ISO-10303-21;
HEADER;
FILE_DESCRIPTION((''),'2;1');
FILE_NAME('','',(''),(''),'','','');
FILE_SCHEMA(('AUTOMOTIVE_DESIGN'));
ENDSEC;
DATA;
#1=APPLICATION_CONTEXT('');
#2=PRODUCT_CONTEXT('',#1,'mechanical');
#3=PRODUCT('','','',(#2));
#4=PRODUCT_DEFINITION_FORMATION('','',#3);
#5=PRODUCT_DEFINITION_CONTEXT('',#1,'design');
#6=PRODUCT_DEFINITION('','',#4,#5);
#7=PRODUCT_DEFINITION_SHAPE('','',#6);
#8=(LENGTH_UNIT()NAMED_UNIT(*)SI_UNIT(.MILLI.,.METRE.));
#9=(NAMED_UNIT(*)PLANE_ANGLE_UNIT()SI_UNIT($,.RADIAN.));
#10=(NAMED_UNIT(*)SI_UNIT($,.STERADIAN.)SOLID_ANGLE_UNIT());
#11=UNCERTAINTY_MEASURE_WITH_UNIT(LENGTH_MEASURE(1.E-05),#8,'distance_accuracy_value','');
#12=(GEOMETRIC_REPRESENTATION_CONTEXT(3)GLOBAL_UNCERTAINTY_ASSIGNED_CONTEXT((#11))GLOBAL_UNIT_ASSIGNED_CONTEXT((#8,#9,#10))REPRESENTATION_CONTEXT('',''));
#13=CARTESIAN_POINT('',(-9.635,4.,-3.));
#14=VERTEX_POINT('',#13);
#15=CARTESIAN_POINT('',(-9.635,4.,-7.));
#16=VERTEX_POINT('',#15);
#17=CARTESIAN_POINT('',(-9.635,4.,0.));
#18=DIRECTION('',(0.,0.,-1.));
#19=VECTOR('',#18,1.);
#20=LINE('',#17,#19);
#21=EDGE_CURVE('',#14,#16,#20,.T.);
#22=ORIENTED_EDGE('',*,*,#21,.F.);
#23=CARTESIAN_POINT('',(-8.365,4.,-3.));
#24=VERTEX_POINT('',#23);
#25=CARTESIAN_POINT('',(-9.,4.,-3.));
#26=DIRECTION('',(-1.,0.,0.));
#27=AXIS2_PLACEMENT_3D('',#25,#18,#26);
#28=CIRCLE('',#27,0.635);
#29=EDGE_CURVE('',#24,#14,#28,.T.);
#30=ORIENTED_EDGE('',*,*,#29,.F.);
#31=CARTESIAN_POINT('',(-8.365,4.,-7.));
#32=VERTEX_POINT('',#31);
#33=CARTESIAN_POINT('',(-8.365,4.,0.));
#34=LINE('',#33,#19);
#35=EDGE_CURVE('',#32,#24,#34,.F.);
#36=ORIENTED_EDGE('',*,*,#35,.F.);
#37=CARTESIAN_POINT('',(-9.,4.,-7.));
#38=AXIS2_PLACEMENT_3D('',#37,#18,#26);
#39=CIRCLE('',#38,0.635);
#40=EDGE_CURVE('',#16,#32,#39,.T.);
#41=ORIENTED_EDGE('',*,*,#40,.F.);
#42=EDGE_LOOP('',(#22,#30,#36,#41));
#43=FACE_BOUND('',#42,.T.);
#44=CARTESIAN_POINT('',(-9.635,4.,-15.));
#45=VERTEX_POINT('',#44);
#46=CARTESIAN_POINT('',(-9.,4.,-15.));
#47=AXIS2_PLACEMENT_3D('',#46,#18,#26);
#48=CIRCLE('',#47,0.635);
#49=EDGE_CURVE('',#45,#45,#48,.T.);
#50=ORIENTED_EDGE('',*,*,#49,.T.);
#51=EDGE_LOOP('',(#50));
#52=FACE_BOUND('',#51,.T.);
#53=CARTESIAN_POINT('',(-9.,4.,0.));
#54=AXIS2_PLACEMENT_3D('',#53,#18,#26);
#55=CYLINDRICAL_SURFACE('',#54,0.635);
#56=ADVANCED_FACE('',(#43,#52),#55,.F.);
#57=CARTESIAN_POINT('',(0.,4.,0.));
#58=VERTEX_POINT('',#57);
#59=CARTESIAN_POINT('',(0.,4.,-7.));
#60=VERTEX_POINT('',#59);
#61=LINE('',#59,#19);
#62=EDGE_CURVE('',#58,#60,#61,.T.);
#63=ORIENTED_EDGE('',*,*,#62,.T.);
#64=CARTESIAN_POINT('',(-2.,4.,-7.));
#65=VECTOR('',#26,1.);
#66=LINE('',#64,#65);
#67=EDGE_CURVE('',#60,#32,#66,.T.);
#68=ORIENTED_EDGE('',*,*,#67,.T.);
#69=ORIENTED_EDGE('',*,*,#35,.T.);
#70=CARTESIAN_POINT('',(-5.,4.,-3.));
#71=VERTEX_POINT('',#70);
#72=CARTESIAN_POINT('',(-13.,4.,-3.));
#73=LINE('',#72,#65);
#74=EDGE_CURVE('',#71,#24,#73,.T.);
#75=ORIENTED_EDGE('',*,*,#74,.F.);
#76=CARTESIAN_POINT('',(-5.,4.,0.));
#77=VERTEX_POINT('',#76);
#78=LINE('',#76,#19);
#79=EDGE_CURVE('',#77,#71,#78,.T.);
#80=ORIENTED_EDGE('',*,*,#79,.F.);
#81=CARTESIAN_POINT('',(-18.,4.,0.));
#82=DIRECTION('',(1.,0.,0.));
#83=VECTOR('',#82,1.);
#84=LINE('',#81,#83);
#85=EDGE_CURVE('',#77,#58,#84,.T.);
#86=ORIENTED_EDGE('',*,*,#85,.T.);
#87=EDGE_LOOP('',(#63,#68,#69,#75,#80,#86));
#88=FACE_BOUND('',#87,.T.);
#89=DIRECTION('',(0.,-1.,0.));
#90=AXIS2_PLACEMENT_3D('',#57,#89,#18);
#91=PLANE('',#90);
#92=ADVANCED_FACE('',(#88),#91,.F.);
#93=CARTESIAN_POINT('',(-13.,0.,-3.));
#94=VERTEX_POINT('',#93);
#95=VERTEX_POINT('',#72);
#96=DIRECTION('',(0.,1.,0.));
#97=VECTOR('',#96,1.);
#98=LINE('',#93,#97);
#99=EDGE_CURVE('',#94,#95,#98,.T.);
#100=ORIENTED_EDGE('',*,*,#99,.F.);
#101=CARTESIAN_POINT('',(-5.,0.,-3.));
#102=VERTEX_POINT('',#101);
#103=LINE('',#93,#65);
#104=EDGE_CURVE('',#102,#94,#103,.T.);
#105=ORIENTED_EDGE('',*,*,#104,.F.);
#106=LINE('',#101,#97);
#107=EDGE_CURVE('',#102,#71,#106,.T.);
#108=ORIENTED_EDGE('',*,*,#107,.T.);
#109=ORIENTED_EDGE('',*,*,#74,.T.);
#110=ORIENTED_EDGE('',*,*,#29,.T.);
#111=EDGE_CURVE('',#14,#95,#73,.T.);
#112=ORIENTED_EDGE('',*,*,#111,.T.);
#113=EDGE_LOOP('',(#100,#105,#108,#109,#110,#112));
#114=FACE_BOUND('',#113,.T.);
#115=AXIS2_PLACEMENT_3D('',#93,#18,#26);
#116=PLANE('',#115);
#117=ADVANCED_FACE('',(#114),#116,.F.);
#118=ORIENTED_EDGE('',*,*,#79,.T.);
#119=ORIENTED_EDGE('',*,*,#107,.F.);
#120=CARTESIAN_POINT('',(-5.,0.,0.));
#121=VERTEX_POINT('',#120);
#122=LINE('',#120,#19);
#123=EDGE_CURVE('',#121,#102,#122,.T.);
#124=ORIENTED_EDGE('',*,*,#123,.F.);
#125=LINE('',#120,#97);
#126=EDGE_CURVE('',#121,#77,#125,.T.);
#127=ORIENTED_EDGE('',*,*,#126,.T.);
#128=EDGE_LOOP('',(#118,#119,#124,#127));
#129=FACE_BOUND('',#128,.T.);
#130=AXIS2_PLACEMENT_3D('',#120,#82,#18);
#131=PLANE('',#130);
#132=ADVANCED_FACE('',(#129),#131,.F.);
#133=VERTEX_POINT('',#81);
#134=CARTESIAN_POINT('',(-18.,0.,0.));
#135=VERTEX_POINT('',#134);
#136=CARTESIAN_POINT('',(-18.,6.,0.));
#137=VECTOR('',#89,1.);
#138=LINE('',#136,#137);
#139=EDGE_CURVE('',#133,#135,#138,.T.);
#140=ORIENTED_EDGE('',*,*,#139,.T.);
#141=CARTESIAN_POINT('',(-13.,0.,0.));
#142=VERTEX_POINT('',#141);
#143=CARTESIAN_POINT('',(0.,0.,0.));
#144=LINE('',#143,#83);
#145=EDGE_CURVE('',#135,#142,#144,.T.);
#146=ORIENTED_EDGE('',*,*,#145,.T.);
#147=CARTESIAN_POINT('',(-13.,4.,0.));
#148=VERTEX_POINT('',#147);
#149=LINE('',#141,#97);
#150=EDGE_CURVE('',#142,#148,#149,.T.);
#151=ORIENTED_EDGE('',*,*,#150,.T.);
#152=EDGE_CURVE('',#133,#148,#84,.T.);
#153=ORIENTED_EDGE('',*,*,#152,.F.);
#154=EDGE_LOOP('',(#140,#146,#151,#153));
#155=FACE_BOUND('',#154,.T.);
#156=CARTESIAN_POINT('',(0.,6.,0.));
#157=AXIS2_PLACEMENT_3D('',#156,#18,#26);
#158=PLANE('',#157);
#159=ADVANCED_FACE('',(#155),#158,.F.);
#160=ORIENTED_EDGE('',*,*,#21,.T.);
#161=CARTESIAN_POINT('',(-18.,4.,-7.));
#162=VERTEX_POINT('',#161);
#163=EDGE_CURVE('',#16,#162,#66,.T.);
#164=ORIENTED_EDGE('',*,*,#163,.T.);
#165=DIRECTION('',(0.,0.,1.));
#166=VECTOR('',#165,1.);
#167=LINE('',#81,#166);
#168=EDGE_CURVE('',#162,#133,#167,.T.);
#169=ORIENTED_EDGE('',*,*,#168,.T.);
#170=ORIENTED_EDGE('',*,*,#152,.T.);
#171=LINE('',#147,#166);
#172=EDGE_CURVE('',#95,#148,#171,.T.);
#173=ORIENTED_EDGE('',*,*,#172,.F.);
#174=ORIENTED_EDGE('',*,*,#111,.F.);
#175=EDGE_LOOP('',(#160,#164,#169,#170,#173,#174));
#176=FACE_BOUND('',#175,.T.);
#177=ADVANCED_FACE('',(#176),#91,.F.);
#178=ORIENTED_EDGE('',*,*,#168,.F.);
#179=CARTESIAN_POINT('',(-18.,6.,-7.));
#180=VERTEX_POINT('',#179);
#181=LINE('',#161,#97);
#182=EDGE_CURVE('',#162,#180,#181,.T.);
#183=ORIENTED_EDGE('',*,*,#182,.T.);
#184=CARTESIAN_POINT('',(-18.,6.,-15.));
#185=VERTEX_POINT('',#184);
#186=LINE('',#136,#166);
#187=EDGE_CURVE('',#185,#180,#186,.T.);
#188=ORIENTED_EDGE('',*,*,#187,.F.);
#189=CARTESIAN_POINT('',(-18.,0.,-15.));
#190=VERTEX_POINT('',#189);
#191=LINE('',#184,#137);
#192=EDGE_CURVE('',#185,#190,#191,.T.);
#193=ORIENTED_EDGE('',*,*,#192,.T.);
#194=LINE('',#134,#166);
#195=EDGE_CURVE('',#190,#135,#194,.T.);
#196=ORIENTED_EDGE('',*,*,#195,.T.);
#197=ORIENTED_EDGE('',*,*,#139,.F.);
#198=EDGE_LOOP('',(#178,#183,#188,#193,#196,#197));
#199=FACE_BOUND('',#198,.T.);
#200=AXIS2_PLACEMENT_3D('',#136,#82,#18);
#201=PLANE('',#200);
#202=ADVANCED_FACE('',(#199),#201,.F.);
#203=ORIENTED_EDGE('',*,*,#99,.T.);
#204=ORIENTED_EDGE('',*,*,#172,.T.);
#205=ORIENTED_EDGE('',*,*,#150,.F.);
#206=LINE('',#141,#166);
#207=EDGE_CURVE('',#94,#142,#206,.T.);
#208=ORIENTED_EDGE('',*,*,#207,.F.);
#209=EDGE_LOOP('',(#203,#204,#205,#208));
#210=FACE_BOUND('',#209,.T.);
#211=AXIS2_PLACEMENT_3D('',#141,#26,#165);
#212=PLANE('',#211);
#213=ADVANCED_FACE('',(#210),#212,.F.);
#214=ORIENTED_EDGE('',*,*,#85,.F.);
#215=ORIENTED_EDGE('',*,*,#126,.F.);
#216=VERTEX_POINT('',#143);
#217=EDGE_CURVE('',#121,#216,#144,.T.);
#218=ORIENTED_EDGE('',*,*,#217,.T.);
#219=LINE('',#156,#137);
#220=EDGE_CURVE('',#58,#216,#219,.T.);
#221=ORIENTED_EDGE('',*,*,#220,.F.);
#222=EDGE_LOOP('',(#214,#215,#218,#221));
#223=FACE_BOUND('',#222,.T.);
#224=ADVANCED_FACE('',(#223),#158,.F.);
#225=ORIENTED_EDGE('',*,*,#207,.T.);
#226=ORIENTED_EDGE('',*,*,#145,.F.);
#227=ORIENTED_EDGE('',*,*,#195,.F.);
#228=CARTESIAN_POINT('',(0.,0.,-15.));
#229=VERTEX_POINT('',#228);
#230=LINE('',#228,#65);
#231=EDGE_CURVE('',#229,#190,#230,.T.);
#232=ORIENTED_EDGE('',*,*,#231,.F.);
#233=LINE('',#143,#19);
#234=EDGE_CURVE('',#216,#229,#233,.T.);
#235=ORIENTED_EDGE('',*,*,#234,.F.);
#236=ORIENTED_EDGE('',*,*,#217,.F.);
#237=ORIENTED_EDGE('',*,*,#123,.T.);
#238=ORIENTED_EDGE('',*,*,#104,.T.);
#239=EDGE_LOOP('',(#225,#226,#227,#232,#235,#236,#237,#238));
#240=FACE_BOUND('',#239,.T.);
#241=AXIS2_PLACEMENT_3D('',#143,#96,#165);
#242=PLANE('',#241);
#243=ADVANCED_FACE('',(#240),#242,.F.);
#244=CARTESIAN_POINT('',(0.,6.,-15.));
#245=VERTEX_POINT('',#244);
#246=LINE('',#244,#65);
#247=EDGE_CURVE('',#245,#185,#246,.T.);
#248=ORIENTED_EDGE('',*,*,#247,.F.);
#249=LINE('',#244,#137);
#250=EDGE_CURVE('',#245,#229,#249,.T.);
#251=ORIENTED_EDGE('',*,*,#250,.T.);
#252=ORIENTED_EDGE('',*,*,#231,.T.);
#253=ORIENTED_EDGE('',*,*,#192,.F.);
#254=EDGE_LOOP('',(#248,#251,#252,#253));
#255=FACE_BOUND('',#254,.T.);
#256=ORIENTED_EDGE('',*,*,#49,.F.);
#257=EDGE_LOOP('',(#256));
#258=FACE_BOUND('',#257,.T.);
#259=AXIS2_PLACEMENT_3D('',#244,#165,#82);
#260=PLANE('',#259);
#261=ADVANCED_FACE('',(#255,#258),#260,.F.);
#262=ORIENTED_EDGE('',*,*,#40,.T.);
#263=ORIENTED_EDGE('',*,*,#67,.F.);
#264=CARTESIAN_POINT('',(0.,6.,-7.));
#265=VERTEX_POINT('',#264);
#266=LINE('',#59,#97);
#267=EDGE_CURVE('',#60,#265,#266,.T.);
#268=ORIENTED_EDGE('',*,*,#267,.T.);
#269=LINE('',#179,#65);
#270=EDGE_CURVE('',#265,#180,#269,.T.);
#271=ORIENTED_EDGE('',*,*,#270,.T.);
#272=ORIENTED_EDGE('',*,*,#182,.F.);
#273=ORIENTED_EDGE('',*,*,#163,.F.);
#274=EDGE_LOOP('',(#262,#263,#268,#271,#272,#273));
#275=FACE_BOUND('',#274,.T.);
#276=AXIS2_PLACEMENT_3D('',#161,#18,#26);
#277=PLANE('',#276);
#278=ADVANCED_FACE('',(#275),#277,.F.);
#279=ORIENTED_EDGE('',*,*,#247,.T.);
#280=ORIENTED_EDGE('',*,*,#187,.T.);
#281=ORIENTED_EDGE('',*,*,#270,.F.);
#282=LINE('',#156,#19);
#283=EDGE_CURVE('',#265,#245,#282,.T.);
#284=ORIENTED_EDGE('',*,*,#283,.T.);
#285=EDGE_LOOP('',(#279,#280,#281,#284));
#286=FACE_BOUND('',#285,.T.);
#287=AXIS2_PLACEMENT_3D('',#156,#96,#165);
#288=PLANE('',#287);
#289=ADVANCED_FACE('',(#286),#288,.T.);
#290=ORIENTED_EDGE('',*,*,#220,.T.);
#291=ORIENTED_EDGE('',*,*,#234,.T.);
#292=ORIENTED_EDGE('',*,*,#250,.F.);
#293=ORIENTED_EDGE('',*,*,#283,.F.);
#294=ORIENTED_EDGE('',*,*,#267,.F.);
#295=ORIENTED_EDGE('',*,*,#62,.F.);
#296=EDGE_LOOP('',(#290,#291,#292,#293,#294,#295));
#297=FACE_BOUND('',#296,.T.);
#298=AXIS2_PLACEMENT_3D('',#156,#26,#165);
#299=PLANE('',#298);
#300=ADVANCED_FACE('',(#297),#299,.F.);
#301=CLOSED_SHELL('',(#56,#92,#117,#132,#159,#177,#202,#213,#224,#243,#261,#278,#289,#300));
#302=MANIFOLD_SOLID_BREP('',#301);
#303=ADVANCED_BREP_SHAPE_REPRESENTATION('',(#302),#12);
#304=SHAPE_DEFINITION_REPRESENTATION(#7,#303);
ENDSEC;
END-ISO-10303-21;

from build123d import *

# Parameters (mm, degrees)
SKETCH2_W           = 18
SKETCH2_H           = 15
BOSS_EXTRUDE2_DEPTH = 6
CUT_EXTRUDE3_DEPTH  = 2
SKETCH7_W           = 8
SKETCH7_H           = 3
CUT_EXTRUDE4_DEPTH  = 24.769728648
SKETCH12_R          = 0.635
CUT_EXTRUDE5_DEPTH  = 25.186773245


with BuildPart() as part:
    # Sketch2 → Boss-Extrude2 (new body)
    with BuildSketch(Plane(origin=(0, 0, 0), x_dir=(1, 0, 0), z_dir=(0, 1, 0))):
        with Locations((-9, 7.5)):
            Rectangle(SKETCH2_W, SKETCH2_H)
    extrude(amount=BOSS_EXTRUDE2_DEPTH)

    # Sketch6 → Cut-Extrude3 (cut)
    with BuildSketch(Plane(origin=(0, 6, 0), x_dir=(1, 0, 0), z_dir=(0, 1, 0))):
        Polygon((0, 7), (0, 0), (-2, 0), (-18, 0), (-18, 7), (-2, 7), align=None)
    extrude(amount=-CUT_EXTRUDE3_DEPTH, mode=Mode.SUBTRACT)

    # Sketch7 → Cut-Extrude4 (cut, through all)
    with BuildSketch(Plane(origin=(0, 4, 0), x_dir=(1, 0, 0), z_dir=(0, 1, 0))):
        with Locations((-9, 1.5)):
            Rectangle(SKETCH7_W, SKETCH7_H)
    extrude(amount=-CUT_EXTRUDE4_DEPTH, mode=Mode.SUBTRACT)

    # Sketch12 → Cut-Extrude5 (cut, through all)
    with BuildSketch(Plane(origin=(0, 0, -15), x_dir=(-1, 0, 0), z_dir=(0, 0, -1))):
        with Locations((9, 4)):
            Circle(SKETCH12_R)
    extrude(amount=-CUT_EXTRUDE5_DEPTH, mode=Mode.SUBTRACT)


solid = part.part
